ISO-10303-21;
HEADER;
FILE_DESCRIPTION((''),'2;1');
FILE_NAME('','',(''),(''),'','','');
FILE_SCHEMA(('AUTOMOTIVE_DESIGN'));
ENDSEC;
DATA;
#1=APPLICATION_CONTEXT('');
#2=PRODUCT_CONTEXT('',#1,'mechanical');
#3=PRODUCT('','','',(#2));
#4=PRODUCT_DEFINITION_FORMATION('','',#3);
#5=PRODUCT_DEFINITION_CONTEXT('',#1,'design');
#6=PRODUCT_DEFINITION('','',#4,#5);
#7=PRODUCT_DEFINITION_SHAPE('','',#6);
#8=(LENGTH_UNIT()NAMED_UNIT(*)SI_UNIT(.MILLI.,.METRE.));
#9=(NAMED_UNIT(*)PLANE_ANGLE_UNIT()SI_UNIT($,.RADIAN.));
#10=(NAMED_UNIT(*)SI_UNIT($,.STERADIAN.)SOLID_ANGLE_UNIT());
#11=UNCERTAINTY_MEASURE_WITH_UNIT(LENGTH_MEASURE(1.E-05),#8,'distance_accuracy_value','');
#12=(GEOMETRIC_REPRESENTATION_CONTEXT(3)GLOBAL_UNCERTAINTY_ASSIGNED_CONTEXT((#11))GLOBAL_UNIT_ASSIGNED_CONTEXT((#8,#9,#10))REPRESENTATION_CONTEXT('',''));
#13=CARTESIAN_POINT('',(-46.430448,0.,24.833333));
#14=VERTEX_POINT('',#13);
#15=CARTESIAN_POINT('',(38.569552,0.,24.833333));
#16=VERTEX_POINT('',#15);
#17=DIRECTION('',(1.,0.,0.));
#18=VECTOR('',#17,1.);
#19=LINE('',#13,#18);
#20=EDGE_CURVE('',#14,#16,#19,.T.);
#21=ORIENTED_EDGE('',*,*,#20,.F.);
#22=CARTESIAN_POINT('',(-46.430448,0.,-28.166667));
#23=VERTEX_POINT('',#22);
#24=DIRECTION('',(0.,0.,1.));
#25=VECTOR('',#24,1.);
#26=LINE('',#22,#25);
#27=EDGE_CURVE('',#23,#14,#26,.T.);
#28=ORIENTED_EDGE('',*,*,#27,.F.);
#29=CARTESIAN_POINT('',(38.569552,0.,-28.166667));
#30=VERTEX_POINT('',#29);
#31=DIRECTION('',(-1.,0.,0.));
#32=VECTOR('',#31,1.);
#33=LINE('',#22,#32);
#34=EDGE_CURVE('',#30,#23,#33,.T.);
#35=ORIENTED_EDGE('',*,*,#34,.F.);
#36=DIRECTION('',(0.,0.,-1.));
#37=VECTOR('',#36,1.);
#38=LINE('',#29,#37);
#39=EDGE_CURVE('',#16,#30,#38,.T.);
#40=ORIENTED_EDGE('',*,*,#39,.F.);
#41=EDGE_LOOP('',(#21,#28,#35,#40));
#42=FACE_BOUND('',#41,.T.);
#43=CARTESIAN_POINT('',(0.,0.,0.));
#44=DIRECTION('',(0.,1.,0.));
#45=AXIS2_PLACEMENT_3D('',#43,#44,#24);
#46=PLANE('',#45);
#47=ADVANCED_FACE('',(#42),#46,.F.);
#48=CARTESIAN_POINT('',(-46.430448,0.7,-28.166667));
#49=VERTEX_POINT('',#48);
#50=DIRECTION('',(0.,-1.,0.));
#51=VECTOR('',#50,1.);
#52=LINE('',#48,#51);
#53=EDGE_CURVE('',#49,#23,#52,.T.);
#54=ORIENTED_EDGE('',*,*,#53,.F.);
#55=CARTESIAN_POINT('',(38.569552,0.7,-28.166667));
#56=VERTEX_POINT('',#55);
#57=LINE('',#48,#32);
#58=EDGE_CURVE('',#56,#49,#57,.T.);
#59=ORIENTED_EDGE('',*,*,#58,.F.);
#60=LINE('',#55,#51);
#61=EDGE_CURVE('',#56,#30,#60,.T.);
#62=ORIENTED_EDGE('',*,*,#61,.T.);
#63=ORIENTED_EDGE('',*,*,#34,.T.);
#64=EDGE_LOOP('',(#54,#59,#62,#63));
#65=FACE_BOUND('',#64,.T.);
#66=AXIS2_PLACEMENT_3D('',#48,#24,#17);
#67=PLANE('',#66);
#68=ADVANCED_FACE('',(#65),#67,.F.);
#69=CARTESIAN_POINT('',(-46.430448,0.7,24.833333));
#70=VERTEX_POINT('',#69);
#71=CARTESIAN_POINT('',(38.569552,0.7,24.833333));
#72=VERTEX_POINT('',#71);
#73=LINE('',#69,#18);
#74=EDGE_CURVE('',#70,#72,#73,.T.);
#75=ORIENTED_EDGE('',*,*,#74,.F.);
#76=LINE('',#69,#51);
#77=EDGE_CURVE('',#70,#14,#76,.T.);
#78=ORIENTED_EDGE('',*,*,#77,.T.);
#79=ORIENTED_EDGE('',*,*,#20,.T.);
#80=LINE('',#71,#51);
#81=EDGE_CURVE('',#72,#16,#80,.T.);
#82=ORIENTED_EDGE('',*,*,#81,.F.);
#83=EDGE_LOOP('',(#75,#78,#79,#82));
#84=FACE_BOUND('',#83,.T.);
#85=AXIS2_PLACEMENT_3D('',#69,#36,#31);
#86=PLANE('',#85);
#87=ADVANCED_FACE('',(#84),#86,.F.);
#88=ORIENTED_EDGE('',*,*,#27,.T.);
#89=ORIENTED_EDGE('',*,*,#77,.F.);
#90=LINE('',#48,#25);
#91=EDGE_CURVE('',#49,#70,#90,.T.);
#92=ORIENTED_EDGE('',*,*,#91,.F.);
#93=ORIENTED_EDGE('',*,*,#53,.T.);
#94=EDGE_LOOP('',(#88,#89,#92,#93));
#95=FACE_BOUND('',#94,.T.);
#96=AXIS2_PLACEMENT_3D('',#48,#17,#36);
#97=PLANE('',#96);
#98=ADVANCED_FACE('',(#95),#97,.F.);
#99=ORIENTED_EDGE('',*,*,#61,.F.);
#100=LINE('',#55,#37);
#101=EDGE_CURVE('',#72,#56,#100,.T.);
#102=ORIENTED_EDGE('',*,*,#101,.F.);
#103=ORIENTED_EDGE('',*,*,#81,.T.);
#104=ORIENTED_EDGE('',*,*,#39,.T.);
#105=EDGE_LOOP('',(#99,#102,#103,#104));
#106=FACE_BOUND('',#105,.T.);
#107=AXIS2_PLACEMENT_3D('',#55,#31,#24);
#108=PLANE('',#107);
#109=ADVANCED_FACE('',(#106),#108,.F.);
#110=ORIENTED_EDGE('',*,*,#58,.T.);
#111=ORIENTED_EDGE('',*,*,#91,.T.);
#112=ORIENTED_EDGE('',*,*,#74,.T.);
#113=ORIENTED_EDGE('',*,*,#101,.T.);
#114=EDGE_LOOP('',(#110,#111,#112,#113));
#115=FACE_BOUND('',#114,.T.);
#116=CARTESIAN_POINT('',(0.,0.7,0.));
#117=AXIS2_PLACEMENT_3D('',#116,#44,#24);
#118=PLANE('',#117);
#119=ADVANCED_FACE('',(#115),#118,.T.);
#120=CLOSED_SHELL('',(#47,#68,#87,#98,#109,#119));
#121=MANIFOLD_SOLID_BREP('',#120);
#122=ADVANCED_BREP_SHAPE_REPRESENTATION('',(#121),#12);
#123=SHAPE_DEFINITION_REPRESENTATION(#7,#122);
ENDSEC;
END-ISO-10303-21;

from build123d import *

# Parameters (mm, degrees)
IZIM3_W                     = 85
IZIM3_H                     = 53
Y_KSEKLIK_EKSTR_ZYON1_DEPTH = 0.7


with BuildPart() as part:
    # Çizim3 → Yükseklik-Ekstrüzyon1 (new body)
    with BuildSketch(Plane(origin=(0, 0, 0), x_dir=(1, 0, 0), z_dir=(0, 1, 0))):
        with Locations((-3.930447774, 1.666666667)):
            Rectangle(IZIM3_W, IZIM3_H)
    extrude(amount=Y_KSEKLIK_EKSTR_ZYON1_DEPTH)


solid = part.part
